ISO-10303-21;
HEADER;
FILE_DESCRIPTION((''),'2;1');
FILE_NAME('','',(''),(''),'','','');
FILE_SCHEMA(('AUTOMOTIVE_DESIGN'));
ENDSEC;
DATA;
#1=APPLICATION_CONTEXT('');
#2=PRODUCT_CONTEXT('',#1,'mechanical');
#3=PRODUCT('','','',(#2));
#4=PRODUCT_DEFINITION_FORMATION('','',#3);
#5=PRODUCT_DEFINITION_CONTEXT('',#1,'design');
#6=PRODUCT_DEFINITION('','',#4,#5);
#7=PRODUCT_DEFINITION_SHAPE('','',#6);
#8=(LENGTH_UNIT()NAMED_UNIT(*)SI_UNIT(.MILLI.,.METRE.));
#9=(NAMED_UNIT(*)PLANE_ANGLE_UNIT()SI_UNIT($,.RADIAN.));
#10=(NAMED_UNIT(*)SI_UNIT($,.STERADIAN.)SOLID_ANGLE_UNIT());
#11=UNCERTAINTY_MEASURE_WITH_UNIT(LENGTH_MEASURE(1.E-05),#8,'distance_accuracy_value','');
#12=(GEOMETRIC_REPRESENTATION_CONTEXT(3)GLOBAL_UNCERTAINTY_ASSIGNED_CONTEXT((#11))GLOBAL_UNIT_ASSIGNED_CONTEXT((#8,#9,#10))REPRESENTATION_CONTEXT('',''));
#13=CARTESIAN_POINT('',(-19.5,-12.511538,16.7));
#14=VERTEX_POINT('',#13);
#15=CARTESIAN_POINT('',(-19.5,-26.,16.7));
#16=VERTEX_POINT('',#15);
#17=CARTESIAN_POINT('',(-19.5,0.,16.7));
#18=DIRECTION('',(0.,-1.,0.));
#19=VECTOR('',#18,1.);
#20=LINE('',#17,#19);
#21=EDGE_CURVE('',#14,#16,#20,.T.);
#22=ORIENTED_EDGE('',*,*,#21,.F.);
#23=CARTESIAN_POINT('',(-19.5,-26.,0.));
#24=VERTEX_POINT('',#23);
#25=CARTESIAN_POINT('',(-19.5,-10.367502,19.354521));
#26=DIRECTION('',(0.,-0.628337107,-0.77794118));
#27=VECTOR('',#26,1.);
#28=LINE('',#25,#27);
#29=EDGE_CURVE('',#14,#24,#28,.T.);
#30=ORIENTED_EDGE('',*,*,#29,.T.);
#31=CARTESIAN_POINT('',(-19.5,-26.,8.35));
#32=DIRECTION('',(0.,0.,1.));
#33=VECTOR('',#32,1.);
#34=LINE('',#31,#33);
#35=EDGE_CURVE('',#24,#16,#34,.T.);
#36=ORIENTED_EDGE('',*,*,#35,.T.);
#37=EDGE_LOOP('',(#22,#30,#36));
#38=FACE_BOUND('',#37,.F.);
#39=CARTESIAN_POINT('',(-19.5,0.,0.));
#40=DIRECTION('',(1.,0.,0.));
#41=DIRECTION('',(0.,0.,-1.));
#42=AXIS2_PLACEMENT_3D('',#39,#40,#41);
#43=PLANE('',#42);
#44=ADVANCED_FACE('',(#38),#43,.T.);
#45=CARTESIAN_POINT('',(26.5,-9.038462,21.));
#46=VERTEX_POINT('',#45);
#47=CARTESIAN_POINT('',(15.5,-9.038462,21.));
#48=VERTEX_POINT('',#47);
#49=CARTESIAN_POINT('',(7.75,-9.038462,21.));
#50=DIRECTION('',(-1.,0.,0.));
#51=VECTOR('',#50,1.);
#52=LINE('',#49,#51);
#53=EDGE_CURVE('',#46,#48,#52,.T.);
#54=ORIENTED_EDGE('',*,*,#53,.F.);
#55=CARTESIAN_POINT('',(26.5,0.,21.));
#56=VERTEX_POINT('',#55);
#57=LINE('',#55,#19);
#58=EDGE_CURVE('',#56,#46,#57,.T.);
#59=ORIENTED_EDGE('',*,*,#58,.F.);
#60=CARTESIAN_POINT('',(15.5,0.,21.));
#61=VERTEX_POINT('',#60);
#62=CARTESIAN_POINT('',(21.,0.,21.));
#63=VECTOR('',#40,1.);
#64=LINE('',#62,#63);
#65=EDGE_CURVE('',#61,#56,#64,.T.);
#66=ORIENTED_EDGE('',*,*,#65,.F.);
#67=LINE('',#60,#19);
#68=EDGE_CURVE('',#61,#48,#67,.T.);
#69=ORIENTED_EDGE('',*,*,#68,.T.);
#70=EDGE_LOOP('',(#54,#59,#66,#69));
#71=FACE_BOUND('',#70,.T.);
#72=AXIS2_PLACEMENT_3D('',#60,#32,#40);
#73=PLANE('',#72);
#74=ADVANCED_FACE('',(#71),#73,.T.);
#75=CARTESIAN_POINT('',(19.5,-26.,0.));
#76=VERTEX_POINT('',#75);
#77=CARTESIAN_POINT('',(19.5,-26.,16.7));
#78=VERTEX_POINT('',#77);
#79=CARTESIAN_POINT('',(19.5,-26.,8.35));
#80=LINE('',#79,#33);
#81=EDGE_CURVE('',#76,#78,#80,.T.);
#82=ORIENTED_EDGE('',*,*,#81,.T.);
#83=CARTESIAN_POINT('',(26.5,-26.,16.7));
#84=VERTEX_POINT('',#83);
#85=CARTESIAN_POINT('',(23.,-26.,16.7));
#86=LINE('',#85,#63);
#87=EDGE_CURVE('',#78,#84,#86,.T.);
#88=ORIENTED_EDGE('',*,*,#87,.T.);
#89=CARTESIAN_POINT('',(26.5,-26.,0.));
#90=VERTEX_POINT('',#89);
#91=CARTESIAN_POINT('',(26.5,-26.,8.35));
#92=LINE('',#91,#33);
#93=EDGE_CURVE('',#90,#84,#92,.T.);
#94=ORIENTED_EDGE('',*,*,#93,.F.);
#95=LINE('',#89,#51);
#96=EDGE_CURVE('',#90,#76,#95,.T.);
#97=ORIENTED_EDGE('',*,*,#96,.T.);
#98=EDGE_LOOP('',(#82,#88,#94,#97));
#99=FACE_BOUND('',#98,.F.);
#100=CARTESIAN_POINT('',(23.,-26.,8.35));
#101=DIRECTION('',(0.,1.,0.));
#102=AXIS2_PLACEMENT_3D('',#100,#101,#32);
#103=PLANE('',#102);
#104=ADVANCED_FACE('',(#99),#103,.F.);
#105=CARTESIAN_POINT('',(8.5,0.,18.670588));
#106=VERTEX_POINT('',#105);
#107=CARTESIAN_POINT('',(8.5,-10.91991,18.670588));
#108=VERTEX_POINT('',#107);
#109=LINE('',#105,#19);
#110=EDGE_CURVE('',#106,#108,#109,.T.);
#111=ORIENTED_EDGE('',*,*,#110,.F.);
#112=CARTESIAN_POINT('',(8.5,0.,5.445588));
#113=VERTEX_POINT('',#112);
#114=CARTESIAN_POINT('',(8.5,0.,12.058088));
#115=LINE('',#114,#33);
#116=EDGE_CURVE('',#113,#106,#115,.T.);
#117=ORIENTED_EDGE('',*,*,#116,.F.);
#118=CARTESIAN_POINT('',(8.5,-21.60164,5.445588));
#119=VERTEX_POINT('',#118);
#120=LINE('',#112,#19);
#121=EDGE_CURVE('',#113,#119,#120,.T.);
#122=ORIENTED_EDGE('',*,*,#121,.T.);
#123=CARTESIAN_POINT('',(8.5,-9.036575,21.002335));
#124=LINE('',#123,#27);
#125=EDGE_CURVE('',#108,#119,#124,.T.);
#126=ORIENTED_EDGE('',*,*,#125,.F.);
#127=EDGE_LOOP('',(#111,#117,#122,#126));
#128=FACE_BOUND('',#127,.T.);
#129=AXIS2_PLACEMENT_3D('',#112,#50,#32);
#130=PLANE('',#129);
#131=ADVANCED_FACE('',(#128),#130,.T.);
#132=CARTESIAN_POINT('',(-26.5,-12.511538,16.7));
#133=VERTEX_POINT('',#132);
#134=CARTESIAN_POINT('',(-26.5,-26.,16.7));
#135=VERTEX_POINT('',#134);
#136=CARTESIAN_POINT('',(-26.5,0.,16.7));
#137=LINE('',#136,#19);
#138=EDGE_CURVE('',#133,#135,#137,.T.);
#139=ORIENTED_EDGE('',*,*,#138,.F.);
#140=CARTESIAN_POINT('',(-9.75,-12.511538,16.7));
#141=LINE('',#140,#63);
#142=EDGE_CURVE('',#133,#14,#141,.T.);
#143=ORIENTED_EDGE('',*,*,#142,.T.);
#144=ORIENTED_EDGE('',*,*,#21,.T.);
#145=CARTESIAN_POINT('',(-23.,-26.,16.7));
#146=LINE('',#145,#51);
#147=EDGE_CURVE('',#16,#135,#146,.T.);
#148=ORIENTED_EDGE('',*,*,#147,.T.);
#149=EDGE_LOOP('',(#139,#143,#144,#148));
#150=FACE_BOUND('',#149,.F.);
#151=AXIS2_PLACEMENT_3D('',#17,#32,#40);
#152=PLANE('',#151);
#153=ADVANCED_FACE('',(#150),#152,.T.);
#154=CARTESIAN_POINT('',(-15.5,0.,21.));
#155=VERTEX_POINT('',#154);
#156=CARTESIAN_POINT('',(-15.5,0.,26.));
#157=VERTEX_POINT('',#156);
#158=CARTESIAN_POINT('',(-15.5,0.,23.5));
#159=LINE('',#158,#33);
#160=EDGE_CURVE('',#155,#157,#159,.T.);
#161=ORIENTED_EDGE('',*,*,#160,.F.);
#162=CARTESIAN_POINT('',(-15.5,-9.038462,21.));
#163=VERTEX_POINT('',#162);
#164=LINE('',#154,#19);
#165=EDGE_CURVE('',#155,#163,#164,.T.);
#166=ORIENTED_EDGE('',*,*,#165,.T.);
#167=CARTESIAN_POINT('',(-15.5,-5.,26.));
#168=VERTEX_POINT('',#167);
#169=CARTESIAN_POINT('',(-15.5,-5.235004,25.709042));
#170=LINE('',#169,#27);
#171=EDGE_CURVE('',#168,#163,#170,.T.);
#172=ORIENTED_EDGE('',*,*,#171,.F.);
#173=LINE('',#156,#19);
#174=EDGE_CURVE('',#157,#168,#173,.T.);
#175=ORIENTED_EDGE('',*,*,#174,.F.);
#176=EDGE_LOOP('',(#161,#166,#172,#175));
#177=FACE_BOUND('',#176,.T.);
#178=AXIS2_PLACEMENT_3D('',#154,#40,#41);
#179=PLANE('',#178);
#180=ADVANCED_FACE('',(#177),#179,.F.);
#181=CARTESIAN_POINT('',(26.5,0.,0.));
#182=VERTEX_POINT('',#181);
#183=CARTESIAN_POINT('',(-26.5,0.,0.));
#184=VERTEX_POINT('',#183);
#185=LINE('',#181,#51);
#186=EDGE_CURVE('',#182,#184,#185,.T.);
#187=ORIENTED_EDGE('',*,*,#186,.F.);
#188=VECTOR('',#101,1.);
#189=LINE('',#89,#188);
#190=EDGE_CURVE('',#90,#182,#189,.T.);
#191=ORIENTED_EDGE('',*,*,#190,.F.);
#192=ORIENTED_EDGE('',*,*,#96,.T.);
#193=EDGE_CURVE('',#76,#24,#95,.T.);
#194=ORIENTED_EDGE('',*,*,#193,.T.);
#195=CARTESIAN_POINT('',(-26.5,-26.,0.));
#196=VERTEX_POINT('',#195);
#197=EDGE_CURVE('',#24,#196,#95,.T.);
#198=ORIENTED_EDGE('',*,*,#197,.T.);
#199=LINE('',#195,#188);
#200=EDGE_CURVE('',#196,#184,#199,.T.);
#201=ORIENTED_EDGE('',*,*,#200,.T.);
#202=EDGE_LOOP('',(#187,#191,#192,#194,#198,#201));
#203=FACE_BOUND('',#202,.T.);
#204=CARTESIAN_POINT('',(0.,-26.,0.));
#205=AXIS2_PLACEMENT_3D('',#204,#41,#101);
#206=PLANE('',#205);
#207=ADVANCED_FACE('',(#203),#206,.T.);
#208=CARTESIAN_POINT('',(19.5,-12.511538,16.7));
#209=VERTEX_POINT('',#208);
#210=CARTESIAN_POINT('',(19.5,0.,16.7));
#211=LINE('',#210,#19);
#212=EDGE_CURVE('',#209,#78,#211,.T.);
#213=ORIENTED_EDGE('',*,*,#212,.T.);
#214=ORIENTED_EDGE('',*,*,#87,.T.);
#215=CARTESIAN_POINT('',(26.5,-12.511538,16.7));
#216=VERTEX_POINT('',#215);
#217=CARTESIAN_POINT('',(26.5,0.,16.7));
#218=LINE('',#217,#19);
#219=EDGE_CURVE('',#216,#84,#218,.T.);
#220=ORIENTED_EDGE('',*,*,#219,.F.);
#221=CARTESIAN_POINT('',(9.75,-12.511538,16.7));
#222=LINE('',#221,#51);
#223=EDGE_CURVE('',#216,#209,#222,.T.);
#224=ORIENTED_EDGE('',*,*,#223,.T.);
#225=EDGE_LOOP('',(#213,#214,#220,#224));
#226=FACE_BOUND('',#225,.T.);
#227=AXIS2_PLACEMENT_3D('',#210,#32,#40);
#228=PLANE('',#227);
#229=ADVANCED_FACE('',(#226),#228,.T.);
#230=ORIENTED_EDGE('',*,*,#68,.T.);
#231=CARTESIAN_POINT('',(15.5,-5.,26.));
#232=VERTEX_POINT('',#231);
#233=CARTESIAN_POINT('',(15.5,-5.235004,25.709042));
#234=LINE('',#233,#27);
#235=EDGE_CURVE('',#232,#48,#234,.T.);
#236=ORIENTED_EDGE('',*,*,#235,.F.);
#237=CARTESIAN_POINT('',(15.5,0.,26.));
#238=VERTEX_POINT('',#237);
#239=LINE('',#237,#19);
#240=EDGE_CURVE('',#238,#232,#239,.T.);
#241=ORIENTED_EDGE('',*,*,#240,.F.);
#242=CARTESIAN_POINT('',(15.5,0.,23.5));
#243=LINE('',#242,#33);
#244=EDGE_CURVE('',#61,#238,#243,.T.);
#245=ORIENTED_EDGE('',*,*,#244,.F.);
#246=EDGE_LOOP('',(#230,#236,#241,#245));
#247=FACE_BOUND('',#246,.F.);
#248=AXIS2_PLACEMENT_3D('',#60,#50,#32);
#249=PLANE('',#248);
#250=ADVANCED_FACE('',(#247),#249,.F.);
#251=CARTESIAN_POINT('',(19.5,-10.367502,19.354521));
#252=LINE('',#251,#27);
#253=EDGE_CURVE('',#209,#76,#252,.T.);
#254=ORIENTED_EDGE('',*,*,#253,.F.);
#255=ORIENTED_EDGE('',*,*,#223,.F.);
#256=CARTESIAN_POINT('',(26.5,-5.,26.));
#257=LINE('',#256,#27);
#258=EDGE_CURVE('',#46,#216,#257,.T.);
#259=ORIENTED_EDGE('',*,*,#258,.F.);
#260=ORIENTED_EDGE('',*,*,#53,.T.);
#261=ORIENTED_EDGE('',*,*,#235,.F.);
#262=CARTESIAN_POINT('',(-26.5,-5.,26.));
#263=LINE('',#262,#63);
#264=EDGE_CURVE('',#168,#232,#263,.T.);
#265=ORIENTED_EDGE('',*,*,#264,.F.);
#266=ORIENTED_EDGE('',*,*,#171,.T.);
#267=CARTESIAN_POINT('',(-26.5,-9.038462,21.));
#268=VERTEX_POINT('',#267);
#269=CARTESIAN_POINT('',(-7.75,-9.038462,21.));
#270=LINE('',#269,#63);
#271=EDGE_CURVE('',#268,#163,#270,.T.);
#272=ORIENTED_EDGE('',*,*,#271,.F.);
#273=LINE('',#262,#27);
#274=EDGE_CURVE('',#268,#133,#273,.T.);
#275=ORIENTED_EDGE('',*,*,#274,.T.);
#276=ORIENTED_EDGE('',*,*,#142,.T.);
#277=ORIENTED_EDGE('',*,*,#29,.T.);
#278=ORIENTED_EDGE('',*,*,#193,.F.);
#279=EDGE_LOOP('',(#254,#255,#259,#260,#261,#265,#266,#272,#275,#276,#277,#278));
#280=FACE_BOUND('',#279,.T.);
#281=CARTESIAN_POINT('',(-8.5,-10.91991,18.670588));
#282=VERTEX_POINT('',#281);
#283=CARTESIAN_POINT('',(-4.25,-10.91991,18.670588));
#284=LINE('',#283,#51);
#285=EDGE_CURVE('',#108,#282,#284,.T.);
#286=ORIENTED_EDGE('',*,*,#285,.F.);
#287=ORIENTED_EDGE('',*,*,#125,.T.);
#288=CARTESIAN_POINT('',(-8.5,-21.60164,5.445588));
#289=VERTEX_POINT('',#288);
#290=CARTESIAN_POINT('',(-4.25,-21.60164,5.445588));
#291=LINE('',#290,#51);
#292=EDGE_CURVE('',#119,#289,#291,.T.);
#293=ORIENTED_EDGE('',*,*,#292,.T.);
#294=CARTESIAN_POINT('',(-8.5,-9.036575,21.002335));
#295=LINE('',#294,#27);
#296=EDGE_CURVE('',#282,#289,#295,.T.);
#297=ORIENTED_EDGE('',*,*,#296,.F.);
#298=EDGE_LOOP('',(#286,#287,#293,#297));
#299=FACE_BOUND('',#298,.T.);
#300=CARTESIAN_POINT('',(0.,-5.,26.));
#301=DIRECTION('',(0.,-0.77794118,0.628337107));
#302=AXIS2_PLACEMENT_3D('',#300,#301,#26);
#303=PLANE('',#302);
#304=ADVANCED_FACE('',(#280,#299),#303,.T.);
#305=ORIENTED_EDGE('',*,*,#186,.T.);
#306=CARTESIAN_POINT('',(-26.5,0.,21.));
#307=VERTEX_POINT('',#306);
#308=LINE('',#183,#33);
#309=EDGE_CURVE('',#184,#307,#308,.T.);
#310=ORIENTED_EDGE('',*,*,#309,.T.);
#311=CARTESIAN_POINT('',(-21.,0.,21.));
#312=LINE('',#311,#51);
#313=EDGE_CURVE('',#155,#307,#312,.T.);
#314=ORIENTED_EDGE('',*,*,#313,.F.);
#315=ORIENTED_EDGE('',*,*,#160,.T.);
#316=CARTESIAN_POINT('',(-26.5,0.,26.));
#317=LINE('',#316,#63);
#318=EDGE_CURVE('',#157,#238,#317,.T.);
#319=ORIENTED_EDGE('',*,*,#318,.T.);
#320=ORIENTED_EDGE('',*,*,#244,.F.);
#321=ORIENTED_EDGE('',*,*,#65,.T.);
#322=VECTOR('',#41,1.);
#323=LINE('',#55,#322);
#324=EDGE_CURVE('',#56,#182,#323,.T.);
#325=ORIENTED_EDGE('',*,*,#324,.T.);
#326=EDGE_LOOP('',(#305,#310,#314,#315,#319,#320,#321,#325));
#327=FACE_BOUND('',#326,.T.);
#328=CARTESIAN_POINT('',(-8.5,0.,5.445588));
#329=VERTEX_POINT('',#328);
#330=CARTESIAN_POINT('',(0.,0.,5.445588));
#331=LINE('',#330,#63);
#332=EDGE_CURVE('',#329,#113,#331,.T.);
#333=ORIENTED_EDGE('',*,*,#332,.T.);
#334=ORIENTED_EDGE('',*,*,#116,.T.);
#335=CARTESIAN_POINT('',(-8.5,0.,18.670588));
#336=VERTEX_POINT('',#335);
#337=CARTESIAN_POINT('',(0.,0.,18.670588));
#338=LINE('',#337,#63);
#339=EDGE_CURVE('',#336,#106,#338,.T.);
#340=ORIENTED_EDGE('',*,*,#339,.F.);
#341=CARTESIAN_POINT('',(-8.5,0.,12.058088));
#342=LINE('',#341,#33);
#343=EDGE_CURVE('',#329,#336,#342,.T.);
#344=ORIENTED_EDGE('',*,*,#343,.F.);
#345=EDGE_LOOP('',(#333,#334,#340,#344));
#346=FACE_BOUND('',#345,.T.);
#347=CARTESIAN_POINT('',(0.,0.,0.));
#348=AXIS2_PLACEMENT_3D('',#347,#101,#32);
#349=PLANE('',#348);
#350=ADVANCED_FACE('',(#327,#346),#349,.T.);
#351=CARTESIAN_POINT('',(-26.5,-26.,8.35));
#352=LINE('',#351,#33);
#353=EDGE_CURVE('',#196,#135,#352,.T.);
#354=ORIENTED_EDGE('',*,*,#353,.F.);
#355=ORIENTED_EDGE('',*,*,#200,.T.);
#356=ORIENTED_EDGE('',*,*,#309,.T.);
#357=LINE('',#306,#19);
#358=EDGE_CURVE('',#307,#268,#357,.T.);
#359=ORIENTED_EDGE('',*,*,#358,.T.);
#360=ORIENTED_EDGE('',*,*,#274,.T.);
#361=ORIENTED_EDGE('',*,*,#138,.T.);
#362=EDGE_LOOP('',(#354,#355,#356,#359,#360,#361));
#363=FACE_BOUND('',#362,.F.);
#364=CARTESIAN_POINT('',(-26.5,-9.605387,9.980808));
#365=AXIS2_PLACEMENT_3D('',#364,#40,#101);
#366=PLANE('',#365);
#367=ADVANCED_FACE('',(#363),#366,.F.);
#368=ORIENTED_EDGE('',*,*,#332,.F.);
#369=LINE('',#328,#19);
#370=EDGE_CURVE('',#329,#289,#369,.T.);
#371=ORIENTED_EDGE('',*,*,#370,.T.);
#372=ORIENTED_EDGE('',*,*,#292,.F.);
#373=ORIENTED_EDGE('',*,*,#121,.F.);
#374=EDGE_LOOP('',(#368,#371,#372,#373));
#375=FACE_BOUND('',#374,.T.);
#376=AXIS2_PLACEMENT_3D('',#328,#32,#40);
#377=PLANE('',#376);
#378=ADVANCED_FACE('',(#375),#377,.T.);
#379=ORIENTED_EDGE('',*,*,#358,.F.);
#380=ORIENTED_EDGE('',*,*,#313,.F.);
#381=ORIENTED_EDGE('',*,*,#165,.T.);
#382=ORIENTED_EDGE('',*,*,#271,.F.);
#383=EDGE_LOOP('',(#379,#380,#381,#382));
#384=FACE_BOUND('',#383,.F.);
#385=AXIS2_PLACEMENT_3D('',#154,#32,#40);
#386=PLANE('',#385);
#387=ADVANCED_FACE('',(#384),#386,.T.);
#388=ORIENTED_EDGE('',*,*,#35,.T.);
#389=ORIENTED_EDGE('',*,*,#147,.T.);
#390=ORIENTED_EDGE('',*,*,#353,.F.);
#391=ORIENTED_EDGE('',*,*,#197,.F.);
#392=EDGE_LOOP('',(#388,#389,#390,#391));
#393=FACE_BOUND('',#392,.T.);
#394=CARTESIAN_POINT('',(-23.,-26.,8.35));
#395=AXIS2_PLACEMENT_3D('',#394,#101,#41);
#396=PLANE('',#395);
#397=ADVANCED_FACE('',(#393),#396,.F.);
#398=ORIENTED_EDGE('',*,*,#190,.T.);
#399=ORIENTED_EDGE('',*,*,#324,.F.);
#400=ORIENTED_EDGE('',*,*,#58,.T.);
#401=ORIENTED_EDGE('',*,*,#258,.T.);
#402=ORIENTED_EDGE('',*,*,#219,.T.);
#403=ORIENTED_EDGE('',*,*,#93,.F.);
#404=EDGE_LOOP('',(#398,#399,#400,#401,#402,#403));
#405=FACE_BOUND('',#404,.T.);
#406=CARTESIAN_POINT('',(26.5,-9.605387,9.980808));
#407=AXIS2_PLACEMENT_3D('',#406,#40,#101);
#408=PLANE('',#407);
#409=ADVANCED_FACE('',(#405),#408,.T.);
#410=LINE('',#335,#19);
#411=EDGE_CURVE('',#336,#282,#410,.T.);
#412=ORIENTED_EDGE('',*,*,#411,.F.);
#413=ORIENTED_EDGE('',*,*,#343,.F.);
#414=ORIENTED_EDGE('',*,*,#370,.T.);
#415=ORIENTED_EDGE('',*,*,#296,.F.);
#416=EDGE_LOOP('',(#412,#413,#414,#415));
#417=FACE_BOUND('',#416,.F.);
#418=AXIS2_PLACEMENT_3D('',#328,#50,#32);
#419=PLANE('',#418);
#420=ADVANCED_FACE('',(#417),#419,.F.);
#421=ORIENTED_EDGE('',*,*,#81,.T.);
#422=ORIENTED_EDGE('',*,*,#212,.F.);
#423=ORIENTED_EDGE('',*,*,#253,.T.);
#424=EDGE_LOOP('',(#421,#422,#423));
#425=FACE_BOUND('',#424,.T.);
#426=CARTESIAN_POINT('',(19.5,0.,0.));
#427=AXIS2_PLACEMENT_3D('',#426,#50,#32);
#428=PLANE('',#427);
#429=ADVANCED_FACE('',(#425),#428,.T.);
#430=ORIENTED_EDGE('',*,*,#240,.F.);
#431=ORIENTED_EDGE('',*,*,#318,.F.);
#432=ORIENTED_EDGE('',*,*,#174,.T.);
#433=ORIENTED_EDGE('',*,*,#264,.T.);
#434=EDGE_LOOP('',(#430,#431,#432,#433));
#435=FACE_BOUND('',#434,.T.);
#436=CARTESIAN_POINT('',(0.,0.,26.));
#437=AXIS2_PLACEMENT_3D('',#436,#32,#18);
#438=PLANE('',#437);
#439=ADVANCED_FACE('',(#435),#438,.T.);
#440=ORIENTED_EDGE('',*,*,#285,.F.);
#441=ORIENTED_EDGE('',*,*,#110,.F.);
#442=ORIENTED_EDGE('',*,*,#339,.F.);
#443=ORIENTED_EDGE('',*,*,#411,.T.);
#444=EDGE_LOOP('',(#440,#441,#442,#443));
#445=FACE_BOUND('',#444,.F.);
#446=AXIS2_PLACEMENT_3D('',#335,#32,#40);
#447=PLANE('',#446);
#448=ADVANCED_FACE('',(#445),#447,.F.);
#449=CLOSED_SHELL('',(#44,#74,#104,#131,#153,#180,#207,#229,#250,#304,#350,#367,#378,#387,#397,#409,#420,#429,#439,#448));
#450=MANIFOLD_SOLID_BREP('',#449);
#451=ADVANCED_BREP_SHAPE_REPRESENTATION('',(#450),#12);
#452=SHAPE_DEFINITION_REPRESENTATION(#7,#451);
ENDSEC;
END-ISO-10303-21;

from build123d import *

# Parameters (mm, degrees)
PAD_DEPTH       = 26.5
PAD_DEPTH_BACK  = 26.5
SKETCH001_W     = 5
SKETCH001_H     = 11
POCKET_DEPTH    = 155.012627
SKETCH002_W     = 16.7
SKETCH002_H     = 7
PAD001_DEPTH    = 26
SKETCH004_W     = 13.225
SKETCH004_H     = 17
POCKET001_DEPTH = 26.001


with BuildPart() as part:
    # Sketch → Pad (new body, two sides)
    with BuildSketch(Plane.YZ) as pad_sk:
        Polygon((0, 0), (0, 26), (-5, 26), (-26, 0), align=None)
    extrude(amount=PAD_DEPTH)
    extrude(pad_sk.sketch, amount=-PAD_DEPTH_BACK)

    # Sketch001 (on Face1 of Pad) → Pocket (cut, through all)
    with BuildSketch(Plane.ZX):
        with Locations((23.5, 21)):
            Rectangle(SKETCH001_W, SKETCH001_H)
    pocket = extrude(amount=-POCKET_DEPTH, mode=Mode.SUBTRACT)

    # Mirrored: Pocket across Sketch001 H_Axis
    add(pocket.mirror(Plane.YZ), mode=Mode.SUBTRACT)

    # Sketch002 (on Face1 of Mirrored) → Pad001 (join)
    with BuildSketch(Plane.ZX):
        with Locations((8.35, 23)):
            Rectangle(SKETCH002_W, SKETCH002_H)
    pad001 = extrude(amount=-PAD001_DEPTH)

    # Mirrored001: Pad001 across Sketch002 H_Axis
    add(pad001.mirror(Plane.YZ))

    # Sketch004 (on Face3 of Mirrored001) → Pocket001 (cut, through all)
    with BuildSketch(Plane.ZX):
        with Locations((12.058088, 0)):
            Rectangle(SKETCH004_W, SKETCH004_H)
    extrude(amount=-POCKET001_DEPTH, mode=Mode.SUBTRACT)


solid = part.part
